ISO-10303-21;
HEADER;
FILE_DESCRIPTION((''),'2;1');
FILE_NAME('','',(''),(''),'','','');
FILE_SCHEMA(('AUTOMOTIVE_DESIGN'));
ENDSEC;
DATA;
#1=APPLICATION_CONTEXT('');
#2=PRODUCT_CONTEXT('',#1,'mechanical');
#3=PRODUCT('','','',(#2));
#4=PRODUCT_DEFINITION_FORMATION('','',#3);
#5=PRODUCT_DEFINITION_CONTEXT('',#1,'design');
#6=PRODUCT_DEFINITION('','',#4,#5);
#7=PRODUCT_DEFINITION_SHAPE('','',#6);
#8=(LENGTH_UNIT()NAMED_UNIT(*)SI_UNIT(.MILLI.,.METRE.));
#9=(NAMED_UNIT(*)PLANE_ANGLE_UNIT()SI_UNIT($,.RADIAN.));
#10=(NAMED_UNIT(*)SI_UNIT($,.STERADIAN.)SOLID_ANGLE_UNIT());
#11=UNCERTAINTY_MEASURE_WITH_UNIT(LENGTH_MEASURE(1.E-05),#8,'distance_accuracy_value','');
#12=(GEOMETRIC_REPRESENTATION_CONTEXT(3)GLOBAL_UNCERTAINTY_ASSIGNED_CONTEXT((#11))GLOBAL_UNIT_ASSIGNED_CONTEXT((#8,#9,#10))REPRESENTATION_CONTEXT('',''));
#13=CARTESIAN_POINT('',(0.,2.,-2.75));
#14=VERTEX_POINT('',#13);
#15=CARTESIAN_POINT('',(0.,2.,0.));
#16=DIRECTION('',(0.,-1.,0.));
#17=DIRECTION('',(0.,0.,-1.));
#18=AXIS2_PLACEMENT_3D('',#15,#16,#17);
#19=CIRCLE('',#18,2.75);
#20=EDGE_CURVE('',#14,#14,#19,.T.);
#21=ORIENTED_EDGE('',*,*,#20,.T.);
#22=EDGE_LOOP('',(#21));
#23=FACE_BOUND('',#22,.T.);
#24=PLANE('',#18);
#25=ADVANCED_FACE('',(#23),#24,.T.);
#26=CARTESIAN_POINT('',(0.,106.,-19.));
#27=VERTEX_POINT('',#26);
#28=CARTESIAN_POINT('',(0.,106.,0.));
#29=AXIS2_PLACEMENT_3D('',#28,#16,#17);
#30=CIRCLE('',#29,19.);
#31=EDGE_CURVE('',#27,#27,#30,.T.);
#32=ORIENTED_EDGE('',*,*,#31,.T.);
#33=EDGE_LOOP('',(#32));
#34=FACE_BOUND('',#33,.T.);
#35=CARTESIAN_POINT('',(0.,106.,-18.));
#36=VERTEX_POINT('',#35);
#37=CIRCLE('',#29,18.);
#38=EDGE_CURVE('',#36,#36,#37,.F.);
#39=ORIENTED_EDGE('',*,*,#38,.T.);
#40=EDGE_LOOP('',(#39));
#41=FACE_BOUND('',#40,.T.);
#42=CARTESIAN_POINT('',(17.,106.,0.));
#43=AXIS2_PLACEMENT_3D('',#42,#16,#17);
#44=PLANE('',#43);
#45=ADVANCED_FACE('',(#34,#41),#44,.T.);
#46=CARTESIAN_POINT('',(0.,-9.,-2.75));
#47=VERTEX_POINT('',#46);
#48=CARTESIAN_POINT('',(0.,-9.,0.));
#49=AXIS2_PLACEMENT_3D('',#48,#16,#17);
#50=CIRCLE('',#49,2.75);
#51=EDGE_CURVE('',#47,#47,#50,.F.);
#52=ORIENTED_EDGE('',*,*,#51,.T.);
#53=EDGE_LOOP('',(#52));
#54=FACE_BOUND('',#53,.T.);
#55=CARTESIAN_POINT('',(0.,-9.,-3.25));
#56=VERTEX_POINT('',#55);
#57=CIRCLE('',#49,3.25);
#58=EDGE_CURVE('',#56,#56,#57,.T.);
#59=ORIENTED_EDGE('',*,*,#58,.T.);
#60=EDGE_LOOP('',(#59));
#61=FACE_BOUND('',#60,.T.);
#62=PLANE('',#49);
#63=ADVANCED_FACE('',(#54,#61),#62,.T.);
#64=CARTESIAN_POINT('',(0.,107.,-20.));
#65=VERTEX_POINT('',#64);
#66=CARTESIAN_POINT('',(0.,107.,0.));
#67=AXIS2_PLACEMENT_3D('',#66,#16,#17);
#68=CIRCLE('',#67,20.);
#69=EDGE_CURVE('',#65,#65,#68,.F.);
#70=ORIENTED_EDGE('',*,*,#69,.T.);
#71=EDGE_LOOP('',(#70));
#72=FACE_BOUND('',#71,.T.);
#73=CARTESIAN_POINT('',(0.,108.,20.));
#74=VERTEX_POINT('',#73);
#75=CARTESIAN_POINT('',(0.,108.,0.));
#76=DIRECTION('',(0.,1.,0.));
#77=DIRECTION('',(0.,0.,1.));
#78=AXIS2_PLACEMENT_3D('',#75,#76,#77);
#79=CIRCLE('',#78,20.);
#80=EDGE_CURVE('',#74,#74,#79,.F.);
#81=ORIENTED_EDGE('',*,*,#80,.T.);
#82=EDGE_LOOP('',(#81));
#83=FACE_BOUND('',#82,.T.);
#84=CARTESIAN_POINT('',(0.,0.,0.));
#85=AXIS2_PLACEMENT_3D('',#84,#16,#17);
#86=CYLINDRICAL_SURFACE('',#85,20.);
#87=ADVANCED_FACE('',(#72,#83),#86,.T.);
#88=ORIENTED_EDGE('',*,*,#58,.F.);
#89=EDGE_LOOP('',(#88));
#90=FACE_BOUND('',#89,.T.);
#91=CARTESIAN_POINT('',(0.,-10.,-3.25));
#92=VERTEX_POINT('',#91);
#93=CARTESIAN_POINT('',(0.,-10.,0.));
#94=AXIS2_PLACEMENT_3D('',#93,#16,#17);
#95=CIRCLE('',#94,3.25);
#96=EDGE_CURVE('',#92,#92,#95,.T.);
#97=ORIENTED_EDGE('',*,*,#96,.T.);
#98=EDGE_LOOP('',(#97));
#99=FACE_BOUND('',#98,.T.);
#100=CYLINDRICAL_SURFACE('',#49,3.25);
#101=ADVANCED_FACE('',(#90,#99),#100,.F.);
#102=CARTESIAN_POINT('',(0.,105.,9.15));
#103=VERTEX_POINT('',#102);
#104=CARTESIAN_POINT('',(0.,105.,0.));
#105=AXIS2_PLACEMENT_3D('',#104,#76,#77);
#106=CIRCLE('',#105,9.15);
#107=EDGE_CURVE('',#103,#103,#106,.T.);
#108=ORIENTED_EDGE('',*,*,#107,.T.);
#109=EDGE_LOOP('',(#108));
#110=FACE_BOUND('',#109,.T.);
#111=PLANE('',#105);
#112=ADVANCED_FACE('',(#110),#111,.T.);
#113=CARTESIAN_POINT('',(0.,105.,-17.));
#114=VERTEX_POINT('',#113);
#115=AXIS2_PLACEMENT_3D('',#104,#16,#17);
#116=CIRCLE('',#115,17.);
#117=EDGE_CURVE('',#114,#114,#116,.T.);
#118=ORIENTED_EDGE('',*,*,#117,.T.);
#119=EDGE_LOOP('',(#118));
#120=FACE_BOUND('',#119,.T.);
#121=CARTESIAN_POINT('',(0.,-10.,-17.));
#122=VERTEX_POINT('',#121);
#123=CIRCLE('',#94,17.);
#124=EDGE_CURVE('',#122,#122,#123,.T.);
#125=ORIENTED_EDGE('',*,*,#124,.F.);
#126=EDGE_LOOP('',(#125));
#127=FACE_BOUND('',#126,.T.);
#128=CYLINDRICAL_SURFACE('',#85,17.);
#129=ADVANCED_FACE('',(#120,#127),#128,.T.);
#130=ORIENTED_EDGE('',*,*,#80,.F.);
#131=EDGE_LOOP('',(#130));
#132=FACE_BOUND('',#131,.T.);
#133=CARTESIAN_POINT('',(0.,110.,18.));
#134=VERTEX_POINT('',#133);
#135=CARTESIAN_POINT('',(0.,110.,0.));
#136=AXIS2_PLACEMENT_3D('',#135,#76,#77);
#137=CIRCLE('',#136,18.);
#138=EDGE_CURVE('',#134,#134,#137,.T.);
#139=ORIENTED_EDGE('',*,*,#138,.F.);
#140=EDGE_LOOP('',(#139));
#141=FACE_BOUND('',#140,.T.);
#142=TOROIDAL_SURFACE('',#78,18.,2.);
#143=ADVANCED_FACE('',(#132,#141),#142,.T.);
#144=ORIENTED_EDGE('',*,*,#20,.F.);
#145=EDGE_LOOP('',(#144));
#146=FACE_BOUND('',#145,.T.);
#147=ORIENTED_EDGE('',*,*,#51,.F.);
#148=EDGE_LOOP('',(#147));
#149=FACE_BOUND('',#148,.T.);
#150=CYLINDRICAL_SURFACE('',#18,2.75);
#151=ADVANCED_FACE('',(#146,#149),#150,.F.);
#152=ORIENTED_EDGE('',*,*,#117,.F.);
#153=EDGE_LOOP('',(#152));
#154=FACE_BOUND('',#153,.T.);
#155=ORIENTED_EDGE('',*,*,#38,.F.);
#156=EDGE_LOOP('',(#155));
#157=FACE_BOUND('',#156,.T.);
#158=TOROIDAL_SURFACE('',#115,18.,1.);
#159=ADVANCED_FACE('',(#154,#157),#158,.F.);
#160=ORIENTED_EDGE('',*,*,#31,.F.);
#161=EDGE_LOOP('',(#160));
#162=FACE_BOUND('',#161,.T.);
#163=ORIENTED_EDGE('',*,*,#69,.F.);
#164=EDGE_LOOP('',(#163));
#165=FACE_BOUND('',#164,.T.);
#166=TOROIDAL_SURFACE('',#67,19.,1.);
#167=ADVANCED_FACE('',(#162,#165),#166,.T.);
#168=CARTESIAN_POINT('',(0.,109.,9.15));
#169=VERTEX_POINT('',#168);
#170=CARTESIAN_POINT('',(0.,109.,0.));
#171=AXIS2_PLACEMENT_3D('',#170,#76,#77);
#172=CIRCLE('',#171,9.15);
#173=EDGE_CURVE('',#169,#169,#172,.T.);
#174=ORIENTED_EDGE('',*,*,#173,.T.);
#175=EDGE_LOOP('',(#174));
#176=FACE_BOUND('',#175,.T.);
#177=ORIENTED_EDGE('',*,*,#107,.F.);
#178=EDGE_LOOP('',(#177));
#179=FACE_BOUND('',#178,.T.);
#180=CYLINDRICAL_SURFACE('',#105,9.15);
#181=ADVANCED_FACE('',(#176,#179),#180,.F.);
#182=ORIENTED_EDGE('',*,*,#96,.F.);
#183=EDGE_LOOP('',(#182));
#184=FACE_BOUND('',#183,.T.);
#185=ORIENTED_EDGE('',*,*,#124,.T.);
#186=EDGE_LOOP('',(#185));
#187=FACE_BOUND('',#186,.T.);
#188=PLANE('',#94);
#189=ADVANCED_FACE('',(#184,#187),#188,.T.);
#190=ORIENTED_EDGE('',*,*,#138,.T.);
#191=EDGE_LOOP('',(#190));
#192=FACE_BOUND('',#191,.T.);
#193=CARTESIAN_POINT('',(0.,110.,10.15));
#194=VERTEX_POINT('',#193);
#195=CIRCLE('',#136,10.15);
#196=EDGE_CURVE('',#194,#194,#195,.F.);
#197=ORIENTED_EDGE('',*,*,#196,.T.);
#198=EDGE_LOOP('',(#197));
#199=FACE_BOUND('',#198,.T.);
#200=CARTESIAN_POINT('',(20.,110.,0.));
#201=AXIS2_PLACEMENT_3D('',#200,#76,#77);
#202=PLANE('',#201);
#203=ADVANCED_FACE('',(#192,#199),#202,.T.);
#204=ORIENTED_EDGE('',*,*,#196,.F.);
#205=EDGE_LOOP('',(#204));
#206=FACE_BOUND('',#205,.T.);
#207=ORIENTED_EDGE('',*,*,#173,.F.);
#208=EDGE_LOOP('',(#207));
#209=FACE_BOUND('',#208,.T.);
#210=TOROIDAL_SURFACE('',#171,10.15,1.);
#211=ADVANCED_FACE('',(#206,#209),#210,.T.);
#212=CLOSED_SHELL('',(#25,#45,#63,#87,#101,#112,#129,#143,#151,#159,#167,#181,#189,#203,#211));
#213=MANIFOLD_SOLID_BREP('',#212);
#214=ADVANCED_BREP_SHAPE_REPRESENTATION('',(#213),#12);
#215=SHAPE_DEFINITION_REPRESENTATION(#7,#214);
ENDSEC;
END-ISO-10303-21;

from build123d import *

# Parameters (mm, degrees)
SKETCH2_R          = 17
EXTRUSION4_DEPTH   = 10
SKETCH3_R          = 9.15
EXTRUSION5_DEPTH   = 5
FILLET2_R          = 1
FILLET3_R          = 2
FILLET4_R          = 1
FILLET5_R          = 1
SKETCH4_R          = 2.75
CUT_EXTRUDE3_DEPTH = 12
SKETCH5_R          = 3.25
CUT_EXTRUDE4_DEPTH = 1


with BuildPart() as part:
    # Sketch1 → Revolution1 (revolve)
    with BuildSketch(Plane.XY, mode=Mode.PRIVATE) as revolution1_sk:
        Polygon((17, 0), (17, 106), (20, 106), (20, 110), (0, 110), (0, 0), align=None)
    revolve(revolution1_sk.sketch.rotate(Axis((0, 0, 0), (0, 1, 0)), 90), axis=Axis((0, 0, 0), (0, 1, 0)))

    # Sketch2 → Extrusion4 (add)
    with BuildSketch(Plane.XZ):
        with Locations(Location((0, 0, 0), (0, 0, 270))):
            Circle(SKETCH2_R)
    extrude(amount=EXTRUSION4_DEPTH)

    # Sketch3 → Extrusion5 (cut)
    with BuildSketch(Plane(origin=(0, 110, 0), x_dir=(-1, 0, 0), z_dir=(0, 1, 0))):
        with Locations(Location((0, 0, 0), (0, 0, 90))):
            Circle(SKETCH3_R)
    extrude(amount=-EXTRUSION5_DEPTH, mode=Mode.SUBTRACT)

    # Fillet2
    fillet2_edges = [part.edges().sort_by_distance(p)[0] for p in [
        (0, 110, -9.15),
    ]]
    fillet(fillet2_edges, radius=FILLET2_R)

    # Fillet3
    fillet3_edges = [part.edges().sort_by_distance(p)[0] for p in [
        (0, 110, 20),
    ]]
    fillet(fillet3_edges, radius=FILLET3_R)

    # Fillet4
    fillet4_edges = [part.edges().sort_by_distance(p)[0] for p in [
        (0, 106, 20),
    ]]
    fillet(fillet4_edges, radius=FILLET4_R)

    # Fillet5
    fillet5_edges = [part.edges().sort_by_distance(p)[0] for p in [
        (0, 106, 17),
    ]]
    fillet(fillet5_edges, radius=FILLET5_R)

    # Sketch4 → Cut-Extrude3 (cut)
    with BuildSketch(Plane.XZ.offset(10)):
        with Locations(Location((0, 0, 0), (0, 0, 270))):
            Circle(SKETCH4_R)
    extrude(amount=-CUT_EXTRUDE3_DEPTH, mode=Mode.SUBTRACT)

    # Sketch5 → Cut-Extrude4 (cut)
    with BuildSketch(Plane.XZ.offset(10)):
        with Locations(Location((0, 0, 0), (0, 0, 270))):
            Circle(SKETCH5_R)
    extrude(amount=-CUT_EXTRUDE4_DEPTH, mode=Mode.SUBTRACT)


solid = part.part
